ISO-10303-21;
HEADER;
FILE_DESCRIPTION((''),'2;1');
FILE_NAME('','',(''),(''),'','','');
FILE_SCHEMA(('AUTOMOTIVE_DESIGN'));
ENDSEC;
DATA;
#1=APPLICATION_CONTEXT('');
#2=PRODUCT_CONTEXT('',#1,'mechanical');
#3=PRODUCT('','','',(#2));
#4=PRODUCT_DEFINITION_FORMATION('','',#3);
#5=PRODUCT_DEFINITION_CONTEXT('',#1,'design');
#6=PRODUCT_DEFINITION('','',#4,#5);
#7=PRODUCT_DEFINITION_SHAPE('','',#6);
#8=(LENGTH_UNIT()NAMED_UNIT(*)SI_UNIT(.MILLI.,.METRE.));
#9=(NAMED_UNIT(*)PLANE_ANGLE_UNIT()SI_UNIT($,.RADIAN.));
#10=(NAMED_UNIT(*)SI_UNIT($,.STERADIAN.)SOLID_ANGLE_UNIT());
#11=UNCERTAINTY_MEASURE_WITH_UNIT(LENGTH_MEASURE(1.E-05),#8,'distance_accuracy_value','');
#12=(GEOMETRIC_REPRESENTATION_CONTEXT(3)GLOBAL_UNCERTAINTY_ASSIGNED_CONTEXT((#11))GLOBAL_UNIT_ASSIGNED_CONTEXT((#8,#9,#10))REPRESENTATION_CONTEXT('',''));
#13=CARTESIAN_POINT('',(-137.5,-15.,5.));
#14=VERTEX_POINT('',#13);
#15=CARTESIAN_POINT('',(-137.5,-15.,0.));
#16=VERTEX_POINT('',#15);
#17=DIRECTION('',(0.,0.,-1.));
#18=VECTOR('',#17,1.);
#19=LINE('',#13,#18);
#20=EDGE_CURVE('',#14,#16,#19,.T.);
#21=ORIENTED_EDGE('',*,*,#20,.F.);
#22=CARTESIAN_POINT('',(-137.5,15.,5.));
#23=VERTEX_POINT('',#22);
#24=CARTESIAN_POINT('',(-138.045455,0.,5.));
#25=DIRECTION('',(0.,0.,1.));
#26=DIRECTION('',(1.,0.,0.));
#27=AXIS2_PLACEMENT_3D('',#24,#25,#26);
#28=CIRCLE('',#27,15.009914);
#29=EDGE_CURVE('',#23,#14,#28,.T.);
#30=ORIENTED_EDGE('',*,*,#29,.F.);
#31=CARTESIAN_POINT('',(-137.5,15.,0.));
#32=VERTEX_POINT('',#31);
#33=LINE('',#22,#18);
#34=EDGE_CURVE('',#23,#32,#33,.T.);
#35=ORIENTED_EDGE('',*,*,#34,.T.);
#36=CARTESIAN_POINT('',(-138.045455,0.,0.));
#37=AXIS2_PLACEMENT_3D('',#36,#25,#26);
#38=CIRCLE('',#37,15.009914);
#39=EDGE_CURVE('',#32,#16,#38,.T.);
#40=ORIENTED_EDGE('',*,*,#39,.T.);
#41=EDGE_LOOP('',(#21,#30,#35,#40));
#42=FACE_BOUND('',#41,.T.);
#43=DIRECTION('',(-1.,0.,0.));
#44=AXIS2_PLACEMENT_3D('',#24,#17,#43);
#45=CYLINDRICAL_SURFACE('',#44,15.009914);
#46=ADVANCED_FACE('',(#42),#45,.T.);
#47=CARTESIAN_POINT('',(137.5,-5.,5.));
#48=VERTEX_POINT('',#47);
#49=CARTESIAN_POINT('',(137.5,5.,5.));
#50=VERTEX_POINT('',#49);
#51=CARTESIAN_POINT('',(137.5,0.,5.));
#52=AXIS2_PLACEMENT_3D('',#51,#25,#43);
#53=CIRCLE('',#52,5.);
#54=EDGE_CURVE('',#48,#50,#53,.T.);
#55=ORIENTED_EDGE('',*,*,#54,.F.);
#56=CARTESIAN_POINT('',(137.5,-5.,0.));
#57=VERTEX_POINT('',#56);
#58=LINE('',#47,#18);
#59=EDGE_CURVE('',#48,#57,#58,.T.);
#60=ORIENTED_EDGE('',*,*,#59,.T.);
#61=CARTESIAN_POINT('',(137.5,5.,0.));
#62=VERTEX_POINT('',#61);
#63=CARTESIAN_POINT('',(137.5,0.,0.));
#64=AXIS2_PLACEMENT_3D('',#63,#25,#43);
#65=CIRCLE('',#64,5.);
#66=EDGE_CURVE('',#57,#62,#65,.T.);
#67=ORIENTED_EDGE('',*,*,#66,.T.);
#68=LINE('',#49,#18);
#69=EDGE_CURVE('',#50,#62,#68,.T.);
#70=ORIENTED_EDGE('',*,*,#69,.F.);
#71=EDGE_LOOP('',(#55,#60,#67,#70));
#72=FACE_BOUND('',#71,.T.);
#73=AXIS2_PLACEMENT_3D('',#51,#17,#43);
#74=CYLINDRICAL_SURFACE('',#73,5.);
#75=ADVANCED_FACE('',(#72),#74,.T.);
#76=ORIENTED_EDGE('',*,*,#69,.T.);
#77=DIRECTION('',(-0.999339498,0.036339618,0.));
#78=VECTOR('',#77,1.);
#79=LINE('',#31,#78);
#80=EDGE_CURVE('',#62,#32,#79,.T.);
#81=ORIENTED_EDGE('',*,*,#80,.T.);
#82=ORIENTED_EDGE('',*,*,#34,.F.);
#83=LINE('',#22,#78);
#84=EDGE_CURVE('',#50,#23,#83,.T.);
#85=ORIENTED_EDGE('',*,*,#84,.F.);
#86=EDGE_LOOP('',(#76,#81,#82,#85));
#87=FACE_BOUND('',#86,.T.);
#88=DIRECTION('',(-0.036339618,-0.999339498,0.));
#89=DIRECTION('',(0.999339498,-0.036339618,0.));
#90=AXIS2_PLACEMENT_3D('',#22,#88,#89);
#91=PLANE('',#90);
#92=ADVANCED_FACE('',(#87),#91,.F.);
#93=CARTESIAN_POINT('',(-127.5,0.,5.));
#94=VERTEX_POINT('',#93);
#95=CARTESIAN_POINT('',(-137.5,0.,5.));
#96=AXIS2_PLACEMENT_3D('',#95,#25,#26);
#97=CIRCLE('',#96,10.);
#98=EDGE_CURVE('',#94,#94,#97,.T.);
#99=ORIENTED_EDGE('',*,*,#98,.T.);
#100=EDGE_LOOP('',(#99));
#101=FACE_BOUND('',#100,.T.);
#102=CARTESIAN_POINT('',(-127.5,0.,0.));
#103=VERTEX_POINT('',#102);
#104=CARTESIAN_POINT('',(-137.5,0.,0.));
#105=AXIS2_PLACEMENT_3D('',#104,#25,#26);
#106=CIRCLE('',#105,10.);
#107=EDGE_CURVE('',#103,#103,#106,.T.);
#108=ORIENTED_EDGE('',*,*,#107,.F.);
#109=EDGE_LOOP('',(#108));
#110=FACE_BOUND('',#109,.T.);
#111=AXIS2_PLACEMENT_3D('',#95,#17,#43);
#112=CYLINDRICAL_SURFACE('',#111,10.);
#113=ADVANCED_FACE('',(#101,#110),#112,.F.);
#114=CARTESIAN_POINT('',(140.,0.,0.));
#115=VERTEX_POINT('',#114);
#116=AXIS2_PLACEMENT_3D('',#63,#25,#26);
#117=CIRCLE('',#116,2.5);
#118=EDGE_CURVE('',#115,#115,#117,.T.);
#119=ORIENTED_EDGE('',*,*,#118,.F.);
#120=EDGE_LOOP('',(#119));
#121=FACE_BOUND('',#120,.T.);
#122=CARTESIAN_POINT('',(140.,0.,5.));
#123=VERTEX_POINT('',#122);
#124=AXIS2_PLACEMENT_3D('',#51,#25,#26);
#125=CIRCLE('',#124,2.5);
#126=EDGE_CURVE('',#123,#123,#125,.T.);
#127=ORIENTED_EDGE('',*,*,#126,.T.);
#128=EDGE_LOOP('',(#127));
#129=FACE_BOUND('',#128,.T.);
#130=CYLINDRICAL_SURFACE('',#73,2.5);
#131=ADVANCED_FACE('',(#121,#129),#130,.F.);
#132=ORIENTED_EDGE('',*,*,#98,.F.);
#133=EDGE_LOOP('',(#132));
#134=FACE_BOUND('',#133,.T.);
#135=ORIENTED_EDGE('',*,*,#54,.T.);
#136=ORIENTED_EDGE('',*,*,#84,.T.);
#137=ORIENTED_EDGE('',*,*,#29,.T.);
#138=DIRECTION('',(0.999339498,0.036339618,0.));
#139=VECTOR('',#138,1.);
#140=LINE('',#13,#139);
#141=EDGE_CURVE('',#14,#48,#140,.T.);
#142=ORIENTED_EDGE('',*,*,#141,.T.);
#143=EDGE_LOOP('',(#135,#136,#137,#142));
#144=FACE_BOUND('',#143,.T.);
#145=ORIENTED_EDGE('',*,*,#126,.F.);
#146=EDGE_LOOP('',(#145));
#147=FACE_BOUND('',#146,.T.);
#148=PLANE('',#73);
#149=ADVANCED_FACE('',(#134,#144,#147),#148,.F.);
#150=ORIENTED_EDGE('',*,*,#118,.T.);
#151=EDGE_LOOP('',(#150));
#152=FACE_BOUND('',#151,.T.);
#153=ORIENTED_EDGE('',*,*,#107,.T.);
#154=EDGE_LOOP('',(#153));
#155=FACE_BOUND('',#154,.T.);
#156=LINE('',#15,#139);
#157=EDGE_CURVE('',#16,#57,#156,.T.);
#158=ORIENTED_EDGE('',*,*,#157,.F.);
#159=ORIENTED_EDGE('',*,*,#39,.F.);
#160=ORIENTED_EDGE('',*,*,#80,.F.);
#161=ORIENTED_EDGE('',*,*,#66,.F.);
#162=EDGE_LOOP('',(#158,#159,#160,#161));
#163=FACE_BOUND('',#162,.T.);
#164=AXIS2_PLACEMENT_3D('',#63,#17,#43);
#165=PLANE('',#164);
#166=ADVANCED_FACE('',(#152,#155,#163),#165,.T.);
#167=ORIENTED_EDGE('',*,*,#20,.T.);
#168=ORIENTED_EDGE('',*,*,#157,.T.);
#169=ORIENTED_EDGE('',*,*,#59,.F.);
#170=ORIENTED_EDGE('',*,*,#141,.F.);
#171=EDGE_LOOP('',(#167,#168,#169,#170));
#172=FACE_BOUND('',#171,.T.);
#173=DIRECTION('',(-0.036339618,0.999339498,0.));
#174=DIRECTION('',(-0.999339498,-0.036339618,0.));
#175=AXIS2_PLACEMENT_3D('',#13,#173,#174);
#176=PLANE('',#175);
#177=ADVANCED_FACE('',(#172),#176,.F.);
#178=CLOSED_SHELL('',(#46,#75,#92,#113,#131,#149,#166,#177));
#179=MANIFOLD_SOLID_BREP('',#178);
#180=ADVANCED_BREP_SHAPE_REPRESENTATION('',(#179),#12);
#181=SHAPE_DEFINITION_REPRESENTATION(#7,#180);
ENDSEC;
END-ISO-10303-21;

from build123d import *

# Parameters (mm, degrees)
ESBO_O1_R                = 10
ESBO_O1_R_2              = 2.5
RESSALTO_EXTRUS_O1_DEPTH = 5


with BuildPart() as part:
    # Esboço1 → Ressalto-extrusão1 (new body)
    with BuildSketch(Plane.XY):
        with BuildLine():
            Line((-137.5, -15), (137.5, -5))
            ThreePointArc((137.5, -5), (142.5, 0), (137.5, 5))
            Line((137.5, 5), (-137.5, 15))
            ThreePointArc((-137.5, 15), (-153.055368625, 0), (-137.5, -15))
        make_face()
        with Locations((-137.5, 0)):
            Circle(ESBO_O1_R, mode=Mode.SUBTRACT)
        with Locations((137.5, 0)):
            Circle(ESBO_O1_R_2, mode=Mode.SUBTRACT)
    extrude(amount=RESSALTO_EXTRUS_O1_DEPTH)


solid = part.part
